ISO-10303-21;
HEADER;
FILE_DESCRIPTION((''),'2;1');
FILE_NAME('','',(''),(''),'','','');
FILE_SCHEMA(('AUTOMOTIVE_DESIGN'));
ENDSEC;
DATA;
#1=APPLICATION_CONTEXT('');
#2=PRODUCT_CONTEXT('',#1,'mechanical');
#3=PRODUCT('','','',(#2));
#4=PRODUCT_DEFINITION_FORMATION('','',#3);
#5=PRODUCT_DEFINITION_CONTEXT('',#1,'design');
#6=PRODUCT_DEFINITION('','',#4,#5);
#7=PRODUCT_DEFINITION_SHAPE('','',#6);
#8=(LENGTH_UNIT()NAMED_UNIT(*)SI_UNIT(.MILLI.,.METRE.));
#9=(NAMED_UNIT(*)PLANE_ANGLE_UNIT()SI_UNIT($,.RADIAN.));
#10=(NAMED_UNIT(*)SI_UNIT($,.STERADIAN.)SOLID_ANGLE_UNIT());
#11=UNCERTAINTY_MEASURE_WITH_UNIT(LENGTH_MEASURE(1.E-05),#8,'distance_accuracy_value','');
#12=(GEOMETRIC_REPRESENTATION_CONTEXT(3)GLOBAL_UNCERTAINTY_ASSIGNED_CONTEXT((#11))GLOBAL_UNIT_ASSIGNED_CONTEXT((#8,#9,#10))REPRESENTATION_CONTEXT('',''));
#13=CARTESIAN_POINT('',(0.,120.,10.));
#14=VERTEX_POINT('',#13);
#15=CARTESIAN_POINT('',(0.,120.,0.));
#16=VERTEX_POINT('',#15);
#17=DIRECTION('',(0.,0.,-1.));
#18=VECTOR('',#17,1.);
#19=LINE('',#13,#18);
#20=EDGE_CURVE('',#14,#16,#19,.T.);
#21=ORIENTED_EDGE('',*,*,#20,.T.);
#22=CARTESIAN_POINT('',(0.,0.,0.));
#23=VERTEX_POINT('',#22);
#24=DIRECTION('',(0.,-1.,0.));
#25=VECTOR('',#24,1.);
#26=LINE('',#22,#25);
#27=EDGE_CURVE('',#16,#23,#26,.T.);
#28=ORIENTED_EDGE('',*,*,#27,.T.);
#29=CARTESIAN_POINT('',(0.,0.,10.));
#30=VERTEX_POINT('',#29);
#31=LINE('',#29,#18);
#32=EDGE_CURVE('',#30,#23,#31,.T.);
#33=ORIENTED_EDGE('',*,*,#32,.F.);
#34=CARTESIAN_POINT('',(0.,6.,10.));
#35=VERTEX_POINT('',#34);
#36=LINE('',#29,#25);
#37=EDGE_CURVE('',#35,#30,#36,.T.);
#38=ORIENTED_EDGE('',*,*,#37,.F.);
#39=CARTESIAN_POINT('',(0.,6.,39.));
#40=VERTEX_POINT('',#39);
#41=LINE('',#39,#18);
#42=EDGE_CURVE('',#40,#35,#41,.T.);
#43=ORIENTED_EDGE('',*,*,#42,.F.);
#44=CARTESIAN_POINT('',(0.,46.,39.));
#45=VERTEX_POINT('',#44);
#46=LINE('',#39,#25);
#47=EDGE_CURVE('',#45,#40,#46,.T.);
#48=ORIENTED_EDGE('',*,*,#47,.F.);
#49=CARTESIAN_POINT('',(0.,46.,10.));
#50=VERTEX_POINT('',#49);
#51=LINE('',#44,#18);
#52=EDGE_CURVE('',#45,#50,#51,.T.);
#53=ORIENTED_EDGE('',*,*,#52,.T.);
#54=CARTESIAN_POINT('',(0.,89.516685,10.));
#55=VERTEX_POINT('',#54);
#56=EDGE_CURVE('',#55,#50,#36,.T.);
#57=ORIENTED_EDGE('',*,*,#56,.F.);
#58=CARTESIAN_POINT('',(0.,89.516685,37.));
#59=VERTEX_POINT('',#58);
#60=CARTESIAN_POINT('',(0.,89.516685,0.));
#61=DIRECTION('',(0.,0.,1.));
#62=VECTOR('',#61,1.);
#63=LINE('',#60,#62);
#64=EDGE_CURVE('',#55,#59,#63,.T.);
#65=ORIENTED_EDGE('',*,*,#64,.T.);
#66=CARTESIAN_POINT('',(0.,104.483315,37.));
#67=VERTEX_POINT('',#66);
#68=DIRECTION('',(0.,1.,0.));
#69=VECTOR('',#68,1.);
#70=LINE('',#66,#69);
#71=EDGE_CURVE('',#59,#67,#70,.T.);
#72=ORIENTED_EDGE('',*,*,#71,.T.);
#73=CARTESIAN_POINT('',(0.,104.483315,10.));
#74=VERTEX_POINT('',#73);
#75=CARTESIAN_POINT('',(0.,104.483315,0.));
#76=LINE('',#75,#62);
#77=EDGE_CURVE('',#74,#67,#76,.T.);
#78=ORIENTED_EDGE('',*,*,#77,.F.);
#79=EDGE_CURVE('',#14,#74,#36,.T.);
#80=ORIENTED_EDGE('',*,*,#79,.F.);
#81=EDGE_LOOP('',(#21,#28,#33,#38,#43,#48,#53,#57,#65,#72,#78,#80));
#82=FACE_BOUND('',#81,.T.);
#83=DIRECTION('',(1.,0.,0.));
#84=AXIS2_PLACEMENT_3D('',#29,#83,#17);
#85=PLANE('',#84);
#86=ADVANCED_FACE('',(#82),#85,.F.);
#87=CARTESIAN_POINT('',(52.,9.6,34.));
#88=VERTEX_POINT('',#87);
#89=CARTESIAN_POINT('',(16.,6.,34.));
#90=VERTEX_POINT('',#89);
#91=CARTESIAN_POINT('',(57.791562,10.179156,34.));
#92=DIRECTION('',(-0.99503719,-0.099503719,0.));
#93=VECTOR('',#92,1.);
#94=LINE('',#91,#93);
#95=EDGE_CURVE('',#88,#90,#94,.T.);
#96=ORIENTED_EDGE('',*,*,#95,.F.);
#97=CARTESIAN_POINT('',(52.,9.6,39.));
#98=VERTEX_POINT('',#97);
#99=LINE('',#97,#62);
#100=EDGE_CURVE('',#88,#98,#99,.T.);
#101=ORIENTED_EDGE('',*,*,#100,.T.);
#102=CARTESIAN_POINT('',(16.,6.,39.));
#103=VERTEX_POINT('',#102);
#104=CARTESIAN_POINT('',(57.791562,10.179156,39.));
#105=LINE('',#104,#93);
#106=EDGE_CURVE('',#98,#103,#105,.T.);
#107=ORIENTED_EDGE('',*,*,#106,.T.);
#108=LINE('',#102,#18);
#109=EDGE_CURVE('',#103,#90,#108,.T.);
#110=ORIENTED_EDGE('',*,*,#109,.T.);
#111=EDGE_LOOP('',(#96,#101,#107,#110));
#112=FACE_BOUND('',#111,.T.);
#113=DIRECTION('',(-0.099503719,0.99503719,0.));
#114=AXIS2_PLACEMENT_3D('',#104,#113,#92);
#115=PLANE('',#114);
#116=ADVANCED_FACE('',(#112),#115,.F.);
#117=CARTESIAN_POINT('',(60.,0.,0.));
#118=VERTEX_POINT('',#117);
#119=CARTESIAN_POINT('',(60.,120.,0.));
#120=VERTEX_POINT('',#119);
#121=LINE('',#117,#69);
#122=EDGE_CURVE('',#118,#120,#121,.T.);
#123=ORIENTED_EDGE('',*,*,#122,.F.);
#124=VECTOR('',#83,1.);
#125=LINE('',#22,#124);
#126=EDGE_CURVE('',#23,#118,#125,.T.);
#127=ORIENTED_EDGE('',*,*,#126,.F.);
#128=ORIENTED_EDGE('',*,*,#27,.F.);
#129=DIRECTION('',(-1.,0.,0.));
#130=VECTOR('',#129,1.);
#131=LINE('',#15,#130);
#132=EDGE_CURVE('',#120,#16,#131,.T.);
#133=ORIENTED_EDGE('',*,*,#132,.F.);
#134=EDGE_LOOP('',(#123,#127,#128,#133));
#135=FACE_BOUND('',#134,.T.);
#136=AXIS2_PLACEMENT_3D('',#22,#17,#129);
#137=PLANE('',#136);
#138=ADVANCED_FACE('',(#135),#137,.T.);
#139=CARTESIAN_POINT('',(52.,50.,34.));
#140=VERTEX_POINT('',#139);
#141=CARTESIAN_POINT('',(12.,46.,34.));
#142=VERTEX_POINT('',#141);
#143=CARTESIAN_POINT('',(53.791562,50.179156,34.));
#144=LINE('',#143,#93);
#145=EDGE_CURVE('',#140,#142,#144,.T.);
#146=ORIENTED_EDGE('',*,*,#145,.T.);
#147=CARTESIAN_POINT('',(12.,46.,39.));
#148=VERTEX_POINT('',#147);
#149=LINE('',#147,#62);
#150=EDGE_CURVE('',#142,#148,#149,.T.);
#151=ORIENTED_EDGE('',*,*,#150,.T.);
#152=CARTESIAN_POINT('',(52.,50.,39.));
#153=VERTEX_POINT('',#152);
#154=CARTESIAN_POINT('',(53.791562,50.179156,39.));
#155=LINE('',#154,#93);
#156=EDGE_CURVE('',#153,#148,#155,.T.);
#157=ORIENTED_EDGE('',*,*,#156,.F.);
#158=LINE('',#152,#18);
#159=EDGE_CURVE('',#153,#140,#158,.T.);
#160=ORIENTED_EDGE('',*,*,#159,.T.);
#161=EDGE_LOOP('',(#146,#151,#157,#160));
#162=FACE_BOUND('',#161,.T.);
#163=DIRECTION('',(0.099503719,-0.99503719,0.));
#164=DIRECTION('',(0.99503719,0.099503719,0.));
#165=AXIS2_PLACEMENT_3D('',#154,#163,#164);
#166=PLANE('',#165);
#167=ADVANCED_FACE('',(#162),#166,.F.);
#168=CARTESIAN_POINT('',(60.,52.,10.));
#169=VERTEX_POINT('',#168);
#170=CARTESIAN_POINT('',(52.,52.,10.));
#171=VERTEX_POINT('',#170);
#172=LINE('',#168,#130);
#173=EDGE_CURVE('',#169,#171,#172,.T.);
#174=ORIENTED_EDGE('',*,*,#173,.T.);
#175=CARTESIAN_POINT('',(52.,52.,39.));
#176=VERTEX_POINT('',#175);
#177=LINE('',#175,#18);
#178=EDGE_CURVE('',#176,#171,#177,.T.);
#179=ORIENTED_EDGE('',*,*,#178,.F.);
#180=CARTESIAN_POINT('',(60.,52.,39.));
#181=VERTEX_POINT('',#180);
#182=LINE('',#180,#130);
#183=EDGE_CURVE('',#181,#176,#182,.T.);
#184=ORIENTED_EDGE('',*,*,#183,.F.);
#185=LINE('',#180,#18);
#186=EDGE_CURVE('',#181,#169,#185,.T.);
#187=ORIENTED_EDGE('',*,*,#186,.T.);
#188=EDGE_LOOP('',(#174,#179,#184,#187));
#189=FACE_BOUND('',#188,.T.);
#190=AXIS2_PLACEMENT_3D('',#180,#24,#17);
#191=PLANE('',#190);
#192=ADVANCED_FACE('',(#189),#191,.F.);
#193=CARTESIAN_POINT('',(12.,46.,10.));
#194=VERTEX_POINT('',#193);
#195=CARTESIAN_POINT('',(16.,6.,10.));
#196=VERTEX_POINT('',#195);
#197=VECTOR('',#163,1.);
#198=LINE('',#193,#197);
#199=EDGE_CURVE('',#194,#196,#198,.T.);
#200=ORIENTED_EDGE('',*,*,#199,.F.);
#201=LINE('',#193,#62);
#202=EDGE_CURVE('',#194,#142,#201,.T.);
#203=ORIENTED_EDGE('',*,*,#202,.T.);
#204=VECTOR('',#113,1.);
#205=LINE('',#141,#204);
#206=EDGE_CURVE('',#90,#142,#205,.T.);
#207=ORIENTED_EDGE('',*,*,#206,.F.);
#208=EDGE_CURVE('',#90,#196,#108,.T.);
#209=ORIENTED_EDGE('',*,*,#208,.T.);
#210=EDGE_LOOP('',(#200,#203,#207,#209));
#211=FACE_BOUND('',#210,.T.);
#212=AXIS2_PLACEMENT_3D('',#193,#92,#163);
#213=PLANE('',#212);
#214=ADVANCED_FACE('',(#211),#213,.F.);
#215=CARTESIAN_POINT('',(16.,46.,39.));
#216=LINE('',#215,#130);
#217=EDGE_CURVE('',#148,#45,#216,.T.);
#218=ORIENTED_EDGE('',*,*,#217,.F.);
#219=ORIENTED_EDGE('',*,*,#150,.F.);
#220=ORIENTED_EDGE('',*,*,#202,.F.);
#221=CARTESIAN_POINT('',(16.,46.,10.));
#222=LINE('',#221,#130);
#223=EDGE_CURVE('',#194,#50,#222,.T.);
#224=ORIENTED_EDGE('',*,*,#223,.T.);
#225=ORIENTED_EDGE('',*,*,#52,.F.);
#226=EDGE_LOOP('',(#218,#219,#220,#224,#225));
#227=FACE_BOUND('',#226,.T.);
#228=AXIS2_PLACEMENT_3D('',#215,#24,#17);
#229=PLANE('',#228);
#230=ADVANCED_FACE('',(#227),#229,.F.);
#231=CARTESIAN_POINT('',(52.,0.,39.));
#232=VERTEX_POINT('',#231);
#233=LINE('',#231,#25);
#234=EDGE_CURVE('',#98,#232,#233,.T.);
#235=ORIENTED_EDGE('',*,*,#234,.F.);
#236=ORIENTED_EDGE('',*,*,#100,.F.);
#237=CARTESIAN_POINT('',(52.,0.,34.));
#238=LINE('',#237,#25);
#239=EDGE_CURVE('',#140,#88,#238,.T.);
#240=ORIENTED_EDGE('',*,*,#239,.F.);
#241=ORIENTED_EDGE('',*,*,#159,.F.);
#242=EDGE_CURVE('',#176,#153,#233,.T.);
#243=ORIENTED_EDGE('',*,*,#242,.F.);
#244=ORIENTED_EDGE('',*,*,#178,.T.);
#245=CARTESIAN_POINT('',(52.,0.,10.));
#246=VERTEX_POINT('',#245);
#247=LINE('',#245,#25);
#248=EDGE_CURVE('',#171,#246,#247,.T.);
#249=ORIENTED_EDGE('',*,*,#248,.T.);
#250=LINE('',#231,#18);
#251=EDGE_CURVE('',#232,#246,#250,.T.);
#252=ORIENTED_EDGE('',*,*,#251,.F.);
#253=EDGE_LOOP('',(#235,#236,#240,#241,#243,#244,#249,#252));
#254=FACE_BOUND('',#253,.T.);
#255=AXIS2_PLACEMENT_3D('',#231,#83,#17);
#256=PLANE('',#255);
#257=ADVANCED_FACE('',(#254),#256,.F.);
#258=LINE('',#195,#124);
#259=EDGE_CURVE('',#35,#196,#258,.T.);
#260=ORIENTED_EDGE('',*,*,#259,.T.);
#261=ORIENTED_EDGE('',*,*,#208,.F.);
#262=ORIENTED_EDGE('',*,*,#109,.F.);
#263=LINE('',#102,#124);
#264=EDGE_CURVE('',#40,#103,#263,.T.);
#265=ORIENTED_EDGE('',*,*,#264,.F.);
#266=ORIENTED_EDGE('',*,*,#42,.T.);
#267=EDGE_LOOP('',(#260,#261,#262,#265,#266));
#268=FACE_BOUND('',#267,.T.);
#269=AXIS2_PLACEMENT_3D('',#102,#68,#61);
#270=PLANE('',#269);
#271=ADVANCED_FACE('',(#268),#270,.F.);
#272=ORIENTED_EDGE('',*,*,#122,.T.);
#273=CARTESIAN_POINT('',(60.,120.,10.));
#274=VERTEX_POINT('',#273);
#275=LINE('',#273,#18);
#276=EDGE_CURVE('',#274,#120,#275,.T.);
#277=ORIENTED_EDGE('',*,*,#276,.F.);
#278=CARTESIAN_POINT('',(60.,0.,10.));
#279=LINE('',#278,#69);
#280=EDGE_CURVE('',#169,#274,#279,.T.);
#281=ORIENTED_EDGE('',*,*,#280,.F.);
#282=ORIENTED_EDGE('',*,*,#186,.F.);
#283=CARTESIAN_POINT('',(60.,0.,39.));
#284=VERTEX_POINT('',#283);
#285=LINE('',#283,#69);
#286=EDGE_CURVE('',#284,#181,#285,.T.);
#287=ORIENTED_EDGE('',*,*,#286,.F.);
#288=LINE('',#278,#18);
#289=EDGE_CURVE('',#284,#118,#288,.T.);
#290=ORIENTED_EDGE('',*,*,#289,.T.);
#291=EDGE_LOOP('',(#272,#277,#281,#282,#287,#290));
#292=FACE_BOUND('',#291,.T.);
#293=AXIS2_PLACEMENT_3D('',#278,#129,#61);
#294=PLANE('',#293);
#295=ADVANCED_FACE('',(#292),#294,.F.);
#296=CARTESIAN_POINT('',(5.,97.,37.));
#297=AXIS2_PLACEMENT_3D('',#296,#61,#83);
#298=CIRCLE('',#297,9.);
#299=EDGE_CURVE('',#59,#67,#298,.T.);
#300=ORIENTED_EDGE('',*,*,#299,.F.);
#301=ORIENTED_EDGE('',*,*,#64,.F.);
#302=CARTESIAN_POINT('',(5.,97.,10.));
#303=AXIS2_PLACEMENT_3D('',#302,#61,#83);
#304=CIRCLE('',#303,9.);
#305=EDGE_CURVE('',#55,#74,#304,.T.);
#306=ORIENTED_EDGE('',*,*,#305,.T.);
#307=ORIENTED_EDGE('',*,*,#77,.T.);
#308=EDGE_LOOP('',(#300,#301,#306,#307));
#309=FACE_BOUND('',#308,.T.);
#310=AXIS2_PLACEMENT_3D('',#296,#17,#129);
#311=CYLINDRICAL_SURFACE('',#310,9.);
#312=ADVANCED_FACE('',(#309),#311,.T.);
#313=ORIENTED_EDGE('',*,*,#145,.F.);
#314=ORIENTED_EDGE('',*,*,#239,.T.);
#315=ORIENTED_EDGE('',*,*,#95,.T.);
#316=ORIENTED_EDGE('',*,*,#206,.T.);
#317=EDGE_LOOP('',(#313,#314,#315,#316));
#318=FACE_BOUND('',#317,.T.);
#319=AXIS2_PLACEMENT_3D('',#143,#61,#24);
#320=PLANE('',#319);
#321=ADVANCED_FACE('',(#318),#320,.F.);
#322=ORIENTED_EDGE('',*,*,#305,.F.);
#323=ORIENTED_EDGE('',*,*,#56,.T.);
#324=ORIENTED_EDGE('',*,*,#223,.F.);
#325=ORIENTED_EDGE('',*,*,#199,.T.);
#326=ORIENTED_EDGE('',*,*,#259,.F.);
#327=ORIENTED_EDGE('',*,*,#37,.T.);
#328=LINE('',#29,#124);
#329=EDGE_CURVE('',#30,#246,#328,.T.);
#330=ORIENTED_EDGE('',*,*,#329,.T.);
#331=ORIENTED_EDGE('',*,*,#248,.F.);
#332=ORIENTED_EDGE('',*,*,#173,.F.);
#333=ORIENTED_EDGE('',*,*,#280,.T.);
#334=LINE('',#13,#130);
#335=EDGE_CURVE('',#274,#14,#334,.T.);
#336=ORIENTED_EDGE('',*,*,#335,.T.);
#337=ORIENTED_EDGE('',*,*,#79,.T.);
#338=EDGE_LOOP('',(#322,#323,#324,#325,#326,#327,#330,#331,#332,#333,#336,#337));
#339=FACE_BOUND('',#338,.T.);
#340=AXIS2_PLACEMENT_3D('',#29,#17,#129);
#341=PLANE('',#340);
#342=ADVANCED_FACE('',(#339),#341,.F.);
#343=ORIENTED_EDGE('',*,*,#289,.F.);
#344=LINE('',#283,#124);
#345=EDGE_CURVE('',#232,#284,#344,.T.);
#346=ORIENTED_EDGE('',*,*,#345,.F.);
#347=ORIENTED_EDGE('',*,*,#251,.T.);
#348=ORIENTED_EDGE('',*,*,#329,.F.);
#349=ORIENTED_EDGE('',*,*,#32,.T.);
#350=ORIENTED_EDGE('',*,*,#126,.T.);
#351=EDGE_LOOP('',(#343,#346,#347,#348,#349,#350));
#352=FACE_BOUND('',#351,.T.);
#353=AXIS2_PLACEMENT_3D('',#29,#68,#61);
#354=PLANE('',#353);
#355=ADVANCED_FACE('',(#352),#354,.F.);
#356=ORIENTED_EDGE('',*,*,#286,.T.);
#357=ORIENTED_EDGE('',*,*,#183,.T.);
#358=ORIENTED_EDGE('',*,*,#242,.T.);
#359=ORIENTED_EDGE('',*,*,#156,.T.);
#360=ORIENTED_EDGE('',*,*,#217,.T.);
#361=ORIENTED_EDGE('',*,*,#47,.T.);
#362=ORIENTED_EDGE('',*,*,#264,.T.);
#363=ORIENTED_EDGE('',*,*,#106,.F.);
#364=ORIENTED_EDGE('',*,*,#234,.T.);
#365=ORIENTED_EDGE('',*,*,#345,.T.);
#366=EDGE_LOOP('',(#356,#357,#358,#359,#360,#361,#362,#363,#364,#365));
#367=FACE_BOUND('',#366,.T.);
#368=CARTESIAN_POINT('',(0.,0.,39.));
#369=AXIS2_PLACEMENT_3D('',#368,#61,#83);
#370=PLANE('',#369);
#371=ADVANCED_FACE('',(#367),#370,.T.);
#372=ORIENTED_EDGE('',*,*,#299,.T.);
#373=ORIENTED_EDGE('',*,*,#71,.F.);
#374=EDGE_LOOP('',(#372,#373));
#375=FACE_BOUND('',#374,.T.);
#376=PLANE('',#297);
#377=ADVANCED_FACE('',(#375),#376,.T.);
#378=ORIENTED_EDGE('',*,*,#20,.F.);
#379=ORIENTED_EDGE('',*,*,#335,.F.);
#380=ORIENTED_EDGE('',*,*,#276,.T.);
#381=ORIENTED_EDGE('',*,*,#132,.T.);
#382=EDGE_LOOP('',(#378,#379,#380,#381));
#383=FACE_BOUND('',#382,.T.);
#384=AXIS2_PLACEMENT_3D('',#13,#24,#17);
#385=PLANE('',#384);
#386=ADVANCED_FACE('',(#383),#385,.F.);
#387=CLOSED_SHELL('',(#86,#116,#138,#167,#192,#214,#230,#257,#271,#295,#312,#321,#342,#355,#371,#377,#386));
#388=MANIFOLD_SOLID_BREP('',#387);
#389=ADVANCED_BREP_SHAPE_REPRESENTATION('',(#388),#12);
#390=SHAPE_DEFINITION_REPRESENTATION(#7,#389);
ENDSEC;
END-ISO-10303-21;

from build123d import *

# Parameters (mm, degrees)
SKETCH1_W           = 60
SKETCH1_H           = 120
BOSS_EXTRUDE1_DEPTH = 10
SKETCH3_R           = 9
BOSS_EXTRUDE3_DEPTH = 27
CUT_EXTRUDE1_DEPTH  = 38
SKETCH5_W           = 16
SKETCH5_H           = 40
BOSS_EXTRUDE4_DEPTH = 29
SKETCH2_W           = 8
SKETCH2_H           = 52
BOSS_EXTRUDE5_DEPTH = 29
CUT_EXTRUDE2_DEPTH  = 29
SKETCH9_W           = 5
SKETCH9_H           = 40.199502484
BOSS_EXTRUDE6_DEPTH = 42


with BuildPart() as part:
    # Sketch1 → Boss-Extrude1 (new body)
    with BuildSketch(Plane.XY):
        with Locations((30, 60)):
            Rectangle(SKETCH1_W, SKETCH1_H)
    extrude(amount=BOSS_EXTRUDE1_DEPTH)

    # Sketch3 → Boss-Extrude3 (add)
    with BuildSketch(Plane.XY.offset(10)):
        with Locations((5, 97)):
            Circle(SKETCH3_R)
    extrude(amount=BOSS_EXTRUDE3_DEPTH)

    # Sketch4 → Cut-Extrude1 (cut, through all)
    with BuildSketch(Plane.XY.offset(37)):
        Polygon((0, 104.483314774), (0, 89.516685226), (-21.075421501, 89.516685226), (-21.075421501, 106.99834991), align=None)
    extrude(amount=-CUT_EXTRUDE1_DEPTH, mode=Mode.SUBTRACT)

    # Sketch5 → Boss-Extrude4 (add)
    with BuildSketch(Plane.XY.offset(10)):
        with Locations((8, 26)):
            Rectangle(SKETCH5_W, SKETCH5_H)
    extrude(amount=BOSS_EXTRUDE4_DEPTH)

    # Sketch2 → Boss-Extrude5 (add)
    with BuildSketch(Plane.XY.offset(10)):
        with Locations((56, 26)):
            Rectangle(SKETCH2_W, SKETCH2_H)
    extrude(amount=BOSS_EXTRUDE5_DEPTH)

    # Sketch8 → Cut-Extrude2 (cut)
    with BuildSketch(Plane.XY.offset(39)):
        Polygon((16, 46), (12, 46), (16, 6), align=None)
    extrude(amount=-CUT_EXTRUDE2_DEPTH, mode=Mode.SUBTRACT)

    # Sketch9 → Boss-Extrude6 (add)
    with BuildSketch(Plane(origin=(16.435643564, 1.643564356, 0), x_dir=(0, 0, -1), z_dir=(0.99503719, 0.099503719, 0))):
        with Locations((-36.5, 24.477914879)):
            Rectangle(SKETCH9_W, SKETCH9_H)
    extrude(amount=BOSS_EXTRUDE6_DEPTH)


solid = part.part
